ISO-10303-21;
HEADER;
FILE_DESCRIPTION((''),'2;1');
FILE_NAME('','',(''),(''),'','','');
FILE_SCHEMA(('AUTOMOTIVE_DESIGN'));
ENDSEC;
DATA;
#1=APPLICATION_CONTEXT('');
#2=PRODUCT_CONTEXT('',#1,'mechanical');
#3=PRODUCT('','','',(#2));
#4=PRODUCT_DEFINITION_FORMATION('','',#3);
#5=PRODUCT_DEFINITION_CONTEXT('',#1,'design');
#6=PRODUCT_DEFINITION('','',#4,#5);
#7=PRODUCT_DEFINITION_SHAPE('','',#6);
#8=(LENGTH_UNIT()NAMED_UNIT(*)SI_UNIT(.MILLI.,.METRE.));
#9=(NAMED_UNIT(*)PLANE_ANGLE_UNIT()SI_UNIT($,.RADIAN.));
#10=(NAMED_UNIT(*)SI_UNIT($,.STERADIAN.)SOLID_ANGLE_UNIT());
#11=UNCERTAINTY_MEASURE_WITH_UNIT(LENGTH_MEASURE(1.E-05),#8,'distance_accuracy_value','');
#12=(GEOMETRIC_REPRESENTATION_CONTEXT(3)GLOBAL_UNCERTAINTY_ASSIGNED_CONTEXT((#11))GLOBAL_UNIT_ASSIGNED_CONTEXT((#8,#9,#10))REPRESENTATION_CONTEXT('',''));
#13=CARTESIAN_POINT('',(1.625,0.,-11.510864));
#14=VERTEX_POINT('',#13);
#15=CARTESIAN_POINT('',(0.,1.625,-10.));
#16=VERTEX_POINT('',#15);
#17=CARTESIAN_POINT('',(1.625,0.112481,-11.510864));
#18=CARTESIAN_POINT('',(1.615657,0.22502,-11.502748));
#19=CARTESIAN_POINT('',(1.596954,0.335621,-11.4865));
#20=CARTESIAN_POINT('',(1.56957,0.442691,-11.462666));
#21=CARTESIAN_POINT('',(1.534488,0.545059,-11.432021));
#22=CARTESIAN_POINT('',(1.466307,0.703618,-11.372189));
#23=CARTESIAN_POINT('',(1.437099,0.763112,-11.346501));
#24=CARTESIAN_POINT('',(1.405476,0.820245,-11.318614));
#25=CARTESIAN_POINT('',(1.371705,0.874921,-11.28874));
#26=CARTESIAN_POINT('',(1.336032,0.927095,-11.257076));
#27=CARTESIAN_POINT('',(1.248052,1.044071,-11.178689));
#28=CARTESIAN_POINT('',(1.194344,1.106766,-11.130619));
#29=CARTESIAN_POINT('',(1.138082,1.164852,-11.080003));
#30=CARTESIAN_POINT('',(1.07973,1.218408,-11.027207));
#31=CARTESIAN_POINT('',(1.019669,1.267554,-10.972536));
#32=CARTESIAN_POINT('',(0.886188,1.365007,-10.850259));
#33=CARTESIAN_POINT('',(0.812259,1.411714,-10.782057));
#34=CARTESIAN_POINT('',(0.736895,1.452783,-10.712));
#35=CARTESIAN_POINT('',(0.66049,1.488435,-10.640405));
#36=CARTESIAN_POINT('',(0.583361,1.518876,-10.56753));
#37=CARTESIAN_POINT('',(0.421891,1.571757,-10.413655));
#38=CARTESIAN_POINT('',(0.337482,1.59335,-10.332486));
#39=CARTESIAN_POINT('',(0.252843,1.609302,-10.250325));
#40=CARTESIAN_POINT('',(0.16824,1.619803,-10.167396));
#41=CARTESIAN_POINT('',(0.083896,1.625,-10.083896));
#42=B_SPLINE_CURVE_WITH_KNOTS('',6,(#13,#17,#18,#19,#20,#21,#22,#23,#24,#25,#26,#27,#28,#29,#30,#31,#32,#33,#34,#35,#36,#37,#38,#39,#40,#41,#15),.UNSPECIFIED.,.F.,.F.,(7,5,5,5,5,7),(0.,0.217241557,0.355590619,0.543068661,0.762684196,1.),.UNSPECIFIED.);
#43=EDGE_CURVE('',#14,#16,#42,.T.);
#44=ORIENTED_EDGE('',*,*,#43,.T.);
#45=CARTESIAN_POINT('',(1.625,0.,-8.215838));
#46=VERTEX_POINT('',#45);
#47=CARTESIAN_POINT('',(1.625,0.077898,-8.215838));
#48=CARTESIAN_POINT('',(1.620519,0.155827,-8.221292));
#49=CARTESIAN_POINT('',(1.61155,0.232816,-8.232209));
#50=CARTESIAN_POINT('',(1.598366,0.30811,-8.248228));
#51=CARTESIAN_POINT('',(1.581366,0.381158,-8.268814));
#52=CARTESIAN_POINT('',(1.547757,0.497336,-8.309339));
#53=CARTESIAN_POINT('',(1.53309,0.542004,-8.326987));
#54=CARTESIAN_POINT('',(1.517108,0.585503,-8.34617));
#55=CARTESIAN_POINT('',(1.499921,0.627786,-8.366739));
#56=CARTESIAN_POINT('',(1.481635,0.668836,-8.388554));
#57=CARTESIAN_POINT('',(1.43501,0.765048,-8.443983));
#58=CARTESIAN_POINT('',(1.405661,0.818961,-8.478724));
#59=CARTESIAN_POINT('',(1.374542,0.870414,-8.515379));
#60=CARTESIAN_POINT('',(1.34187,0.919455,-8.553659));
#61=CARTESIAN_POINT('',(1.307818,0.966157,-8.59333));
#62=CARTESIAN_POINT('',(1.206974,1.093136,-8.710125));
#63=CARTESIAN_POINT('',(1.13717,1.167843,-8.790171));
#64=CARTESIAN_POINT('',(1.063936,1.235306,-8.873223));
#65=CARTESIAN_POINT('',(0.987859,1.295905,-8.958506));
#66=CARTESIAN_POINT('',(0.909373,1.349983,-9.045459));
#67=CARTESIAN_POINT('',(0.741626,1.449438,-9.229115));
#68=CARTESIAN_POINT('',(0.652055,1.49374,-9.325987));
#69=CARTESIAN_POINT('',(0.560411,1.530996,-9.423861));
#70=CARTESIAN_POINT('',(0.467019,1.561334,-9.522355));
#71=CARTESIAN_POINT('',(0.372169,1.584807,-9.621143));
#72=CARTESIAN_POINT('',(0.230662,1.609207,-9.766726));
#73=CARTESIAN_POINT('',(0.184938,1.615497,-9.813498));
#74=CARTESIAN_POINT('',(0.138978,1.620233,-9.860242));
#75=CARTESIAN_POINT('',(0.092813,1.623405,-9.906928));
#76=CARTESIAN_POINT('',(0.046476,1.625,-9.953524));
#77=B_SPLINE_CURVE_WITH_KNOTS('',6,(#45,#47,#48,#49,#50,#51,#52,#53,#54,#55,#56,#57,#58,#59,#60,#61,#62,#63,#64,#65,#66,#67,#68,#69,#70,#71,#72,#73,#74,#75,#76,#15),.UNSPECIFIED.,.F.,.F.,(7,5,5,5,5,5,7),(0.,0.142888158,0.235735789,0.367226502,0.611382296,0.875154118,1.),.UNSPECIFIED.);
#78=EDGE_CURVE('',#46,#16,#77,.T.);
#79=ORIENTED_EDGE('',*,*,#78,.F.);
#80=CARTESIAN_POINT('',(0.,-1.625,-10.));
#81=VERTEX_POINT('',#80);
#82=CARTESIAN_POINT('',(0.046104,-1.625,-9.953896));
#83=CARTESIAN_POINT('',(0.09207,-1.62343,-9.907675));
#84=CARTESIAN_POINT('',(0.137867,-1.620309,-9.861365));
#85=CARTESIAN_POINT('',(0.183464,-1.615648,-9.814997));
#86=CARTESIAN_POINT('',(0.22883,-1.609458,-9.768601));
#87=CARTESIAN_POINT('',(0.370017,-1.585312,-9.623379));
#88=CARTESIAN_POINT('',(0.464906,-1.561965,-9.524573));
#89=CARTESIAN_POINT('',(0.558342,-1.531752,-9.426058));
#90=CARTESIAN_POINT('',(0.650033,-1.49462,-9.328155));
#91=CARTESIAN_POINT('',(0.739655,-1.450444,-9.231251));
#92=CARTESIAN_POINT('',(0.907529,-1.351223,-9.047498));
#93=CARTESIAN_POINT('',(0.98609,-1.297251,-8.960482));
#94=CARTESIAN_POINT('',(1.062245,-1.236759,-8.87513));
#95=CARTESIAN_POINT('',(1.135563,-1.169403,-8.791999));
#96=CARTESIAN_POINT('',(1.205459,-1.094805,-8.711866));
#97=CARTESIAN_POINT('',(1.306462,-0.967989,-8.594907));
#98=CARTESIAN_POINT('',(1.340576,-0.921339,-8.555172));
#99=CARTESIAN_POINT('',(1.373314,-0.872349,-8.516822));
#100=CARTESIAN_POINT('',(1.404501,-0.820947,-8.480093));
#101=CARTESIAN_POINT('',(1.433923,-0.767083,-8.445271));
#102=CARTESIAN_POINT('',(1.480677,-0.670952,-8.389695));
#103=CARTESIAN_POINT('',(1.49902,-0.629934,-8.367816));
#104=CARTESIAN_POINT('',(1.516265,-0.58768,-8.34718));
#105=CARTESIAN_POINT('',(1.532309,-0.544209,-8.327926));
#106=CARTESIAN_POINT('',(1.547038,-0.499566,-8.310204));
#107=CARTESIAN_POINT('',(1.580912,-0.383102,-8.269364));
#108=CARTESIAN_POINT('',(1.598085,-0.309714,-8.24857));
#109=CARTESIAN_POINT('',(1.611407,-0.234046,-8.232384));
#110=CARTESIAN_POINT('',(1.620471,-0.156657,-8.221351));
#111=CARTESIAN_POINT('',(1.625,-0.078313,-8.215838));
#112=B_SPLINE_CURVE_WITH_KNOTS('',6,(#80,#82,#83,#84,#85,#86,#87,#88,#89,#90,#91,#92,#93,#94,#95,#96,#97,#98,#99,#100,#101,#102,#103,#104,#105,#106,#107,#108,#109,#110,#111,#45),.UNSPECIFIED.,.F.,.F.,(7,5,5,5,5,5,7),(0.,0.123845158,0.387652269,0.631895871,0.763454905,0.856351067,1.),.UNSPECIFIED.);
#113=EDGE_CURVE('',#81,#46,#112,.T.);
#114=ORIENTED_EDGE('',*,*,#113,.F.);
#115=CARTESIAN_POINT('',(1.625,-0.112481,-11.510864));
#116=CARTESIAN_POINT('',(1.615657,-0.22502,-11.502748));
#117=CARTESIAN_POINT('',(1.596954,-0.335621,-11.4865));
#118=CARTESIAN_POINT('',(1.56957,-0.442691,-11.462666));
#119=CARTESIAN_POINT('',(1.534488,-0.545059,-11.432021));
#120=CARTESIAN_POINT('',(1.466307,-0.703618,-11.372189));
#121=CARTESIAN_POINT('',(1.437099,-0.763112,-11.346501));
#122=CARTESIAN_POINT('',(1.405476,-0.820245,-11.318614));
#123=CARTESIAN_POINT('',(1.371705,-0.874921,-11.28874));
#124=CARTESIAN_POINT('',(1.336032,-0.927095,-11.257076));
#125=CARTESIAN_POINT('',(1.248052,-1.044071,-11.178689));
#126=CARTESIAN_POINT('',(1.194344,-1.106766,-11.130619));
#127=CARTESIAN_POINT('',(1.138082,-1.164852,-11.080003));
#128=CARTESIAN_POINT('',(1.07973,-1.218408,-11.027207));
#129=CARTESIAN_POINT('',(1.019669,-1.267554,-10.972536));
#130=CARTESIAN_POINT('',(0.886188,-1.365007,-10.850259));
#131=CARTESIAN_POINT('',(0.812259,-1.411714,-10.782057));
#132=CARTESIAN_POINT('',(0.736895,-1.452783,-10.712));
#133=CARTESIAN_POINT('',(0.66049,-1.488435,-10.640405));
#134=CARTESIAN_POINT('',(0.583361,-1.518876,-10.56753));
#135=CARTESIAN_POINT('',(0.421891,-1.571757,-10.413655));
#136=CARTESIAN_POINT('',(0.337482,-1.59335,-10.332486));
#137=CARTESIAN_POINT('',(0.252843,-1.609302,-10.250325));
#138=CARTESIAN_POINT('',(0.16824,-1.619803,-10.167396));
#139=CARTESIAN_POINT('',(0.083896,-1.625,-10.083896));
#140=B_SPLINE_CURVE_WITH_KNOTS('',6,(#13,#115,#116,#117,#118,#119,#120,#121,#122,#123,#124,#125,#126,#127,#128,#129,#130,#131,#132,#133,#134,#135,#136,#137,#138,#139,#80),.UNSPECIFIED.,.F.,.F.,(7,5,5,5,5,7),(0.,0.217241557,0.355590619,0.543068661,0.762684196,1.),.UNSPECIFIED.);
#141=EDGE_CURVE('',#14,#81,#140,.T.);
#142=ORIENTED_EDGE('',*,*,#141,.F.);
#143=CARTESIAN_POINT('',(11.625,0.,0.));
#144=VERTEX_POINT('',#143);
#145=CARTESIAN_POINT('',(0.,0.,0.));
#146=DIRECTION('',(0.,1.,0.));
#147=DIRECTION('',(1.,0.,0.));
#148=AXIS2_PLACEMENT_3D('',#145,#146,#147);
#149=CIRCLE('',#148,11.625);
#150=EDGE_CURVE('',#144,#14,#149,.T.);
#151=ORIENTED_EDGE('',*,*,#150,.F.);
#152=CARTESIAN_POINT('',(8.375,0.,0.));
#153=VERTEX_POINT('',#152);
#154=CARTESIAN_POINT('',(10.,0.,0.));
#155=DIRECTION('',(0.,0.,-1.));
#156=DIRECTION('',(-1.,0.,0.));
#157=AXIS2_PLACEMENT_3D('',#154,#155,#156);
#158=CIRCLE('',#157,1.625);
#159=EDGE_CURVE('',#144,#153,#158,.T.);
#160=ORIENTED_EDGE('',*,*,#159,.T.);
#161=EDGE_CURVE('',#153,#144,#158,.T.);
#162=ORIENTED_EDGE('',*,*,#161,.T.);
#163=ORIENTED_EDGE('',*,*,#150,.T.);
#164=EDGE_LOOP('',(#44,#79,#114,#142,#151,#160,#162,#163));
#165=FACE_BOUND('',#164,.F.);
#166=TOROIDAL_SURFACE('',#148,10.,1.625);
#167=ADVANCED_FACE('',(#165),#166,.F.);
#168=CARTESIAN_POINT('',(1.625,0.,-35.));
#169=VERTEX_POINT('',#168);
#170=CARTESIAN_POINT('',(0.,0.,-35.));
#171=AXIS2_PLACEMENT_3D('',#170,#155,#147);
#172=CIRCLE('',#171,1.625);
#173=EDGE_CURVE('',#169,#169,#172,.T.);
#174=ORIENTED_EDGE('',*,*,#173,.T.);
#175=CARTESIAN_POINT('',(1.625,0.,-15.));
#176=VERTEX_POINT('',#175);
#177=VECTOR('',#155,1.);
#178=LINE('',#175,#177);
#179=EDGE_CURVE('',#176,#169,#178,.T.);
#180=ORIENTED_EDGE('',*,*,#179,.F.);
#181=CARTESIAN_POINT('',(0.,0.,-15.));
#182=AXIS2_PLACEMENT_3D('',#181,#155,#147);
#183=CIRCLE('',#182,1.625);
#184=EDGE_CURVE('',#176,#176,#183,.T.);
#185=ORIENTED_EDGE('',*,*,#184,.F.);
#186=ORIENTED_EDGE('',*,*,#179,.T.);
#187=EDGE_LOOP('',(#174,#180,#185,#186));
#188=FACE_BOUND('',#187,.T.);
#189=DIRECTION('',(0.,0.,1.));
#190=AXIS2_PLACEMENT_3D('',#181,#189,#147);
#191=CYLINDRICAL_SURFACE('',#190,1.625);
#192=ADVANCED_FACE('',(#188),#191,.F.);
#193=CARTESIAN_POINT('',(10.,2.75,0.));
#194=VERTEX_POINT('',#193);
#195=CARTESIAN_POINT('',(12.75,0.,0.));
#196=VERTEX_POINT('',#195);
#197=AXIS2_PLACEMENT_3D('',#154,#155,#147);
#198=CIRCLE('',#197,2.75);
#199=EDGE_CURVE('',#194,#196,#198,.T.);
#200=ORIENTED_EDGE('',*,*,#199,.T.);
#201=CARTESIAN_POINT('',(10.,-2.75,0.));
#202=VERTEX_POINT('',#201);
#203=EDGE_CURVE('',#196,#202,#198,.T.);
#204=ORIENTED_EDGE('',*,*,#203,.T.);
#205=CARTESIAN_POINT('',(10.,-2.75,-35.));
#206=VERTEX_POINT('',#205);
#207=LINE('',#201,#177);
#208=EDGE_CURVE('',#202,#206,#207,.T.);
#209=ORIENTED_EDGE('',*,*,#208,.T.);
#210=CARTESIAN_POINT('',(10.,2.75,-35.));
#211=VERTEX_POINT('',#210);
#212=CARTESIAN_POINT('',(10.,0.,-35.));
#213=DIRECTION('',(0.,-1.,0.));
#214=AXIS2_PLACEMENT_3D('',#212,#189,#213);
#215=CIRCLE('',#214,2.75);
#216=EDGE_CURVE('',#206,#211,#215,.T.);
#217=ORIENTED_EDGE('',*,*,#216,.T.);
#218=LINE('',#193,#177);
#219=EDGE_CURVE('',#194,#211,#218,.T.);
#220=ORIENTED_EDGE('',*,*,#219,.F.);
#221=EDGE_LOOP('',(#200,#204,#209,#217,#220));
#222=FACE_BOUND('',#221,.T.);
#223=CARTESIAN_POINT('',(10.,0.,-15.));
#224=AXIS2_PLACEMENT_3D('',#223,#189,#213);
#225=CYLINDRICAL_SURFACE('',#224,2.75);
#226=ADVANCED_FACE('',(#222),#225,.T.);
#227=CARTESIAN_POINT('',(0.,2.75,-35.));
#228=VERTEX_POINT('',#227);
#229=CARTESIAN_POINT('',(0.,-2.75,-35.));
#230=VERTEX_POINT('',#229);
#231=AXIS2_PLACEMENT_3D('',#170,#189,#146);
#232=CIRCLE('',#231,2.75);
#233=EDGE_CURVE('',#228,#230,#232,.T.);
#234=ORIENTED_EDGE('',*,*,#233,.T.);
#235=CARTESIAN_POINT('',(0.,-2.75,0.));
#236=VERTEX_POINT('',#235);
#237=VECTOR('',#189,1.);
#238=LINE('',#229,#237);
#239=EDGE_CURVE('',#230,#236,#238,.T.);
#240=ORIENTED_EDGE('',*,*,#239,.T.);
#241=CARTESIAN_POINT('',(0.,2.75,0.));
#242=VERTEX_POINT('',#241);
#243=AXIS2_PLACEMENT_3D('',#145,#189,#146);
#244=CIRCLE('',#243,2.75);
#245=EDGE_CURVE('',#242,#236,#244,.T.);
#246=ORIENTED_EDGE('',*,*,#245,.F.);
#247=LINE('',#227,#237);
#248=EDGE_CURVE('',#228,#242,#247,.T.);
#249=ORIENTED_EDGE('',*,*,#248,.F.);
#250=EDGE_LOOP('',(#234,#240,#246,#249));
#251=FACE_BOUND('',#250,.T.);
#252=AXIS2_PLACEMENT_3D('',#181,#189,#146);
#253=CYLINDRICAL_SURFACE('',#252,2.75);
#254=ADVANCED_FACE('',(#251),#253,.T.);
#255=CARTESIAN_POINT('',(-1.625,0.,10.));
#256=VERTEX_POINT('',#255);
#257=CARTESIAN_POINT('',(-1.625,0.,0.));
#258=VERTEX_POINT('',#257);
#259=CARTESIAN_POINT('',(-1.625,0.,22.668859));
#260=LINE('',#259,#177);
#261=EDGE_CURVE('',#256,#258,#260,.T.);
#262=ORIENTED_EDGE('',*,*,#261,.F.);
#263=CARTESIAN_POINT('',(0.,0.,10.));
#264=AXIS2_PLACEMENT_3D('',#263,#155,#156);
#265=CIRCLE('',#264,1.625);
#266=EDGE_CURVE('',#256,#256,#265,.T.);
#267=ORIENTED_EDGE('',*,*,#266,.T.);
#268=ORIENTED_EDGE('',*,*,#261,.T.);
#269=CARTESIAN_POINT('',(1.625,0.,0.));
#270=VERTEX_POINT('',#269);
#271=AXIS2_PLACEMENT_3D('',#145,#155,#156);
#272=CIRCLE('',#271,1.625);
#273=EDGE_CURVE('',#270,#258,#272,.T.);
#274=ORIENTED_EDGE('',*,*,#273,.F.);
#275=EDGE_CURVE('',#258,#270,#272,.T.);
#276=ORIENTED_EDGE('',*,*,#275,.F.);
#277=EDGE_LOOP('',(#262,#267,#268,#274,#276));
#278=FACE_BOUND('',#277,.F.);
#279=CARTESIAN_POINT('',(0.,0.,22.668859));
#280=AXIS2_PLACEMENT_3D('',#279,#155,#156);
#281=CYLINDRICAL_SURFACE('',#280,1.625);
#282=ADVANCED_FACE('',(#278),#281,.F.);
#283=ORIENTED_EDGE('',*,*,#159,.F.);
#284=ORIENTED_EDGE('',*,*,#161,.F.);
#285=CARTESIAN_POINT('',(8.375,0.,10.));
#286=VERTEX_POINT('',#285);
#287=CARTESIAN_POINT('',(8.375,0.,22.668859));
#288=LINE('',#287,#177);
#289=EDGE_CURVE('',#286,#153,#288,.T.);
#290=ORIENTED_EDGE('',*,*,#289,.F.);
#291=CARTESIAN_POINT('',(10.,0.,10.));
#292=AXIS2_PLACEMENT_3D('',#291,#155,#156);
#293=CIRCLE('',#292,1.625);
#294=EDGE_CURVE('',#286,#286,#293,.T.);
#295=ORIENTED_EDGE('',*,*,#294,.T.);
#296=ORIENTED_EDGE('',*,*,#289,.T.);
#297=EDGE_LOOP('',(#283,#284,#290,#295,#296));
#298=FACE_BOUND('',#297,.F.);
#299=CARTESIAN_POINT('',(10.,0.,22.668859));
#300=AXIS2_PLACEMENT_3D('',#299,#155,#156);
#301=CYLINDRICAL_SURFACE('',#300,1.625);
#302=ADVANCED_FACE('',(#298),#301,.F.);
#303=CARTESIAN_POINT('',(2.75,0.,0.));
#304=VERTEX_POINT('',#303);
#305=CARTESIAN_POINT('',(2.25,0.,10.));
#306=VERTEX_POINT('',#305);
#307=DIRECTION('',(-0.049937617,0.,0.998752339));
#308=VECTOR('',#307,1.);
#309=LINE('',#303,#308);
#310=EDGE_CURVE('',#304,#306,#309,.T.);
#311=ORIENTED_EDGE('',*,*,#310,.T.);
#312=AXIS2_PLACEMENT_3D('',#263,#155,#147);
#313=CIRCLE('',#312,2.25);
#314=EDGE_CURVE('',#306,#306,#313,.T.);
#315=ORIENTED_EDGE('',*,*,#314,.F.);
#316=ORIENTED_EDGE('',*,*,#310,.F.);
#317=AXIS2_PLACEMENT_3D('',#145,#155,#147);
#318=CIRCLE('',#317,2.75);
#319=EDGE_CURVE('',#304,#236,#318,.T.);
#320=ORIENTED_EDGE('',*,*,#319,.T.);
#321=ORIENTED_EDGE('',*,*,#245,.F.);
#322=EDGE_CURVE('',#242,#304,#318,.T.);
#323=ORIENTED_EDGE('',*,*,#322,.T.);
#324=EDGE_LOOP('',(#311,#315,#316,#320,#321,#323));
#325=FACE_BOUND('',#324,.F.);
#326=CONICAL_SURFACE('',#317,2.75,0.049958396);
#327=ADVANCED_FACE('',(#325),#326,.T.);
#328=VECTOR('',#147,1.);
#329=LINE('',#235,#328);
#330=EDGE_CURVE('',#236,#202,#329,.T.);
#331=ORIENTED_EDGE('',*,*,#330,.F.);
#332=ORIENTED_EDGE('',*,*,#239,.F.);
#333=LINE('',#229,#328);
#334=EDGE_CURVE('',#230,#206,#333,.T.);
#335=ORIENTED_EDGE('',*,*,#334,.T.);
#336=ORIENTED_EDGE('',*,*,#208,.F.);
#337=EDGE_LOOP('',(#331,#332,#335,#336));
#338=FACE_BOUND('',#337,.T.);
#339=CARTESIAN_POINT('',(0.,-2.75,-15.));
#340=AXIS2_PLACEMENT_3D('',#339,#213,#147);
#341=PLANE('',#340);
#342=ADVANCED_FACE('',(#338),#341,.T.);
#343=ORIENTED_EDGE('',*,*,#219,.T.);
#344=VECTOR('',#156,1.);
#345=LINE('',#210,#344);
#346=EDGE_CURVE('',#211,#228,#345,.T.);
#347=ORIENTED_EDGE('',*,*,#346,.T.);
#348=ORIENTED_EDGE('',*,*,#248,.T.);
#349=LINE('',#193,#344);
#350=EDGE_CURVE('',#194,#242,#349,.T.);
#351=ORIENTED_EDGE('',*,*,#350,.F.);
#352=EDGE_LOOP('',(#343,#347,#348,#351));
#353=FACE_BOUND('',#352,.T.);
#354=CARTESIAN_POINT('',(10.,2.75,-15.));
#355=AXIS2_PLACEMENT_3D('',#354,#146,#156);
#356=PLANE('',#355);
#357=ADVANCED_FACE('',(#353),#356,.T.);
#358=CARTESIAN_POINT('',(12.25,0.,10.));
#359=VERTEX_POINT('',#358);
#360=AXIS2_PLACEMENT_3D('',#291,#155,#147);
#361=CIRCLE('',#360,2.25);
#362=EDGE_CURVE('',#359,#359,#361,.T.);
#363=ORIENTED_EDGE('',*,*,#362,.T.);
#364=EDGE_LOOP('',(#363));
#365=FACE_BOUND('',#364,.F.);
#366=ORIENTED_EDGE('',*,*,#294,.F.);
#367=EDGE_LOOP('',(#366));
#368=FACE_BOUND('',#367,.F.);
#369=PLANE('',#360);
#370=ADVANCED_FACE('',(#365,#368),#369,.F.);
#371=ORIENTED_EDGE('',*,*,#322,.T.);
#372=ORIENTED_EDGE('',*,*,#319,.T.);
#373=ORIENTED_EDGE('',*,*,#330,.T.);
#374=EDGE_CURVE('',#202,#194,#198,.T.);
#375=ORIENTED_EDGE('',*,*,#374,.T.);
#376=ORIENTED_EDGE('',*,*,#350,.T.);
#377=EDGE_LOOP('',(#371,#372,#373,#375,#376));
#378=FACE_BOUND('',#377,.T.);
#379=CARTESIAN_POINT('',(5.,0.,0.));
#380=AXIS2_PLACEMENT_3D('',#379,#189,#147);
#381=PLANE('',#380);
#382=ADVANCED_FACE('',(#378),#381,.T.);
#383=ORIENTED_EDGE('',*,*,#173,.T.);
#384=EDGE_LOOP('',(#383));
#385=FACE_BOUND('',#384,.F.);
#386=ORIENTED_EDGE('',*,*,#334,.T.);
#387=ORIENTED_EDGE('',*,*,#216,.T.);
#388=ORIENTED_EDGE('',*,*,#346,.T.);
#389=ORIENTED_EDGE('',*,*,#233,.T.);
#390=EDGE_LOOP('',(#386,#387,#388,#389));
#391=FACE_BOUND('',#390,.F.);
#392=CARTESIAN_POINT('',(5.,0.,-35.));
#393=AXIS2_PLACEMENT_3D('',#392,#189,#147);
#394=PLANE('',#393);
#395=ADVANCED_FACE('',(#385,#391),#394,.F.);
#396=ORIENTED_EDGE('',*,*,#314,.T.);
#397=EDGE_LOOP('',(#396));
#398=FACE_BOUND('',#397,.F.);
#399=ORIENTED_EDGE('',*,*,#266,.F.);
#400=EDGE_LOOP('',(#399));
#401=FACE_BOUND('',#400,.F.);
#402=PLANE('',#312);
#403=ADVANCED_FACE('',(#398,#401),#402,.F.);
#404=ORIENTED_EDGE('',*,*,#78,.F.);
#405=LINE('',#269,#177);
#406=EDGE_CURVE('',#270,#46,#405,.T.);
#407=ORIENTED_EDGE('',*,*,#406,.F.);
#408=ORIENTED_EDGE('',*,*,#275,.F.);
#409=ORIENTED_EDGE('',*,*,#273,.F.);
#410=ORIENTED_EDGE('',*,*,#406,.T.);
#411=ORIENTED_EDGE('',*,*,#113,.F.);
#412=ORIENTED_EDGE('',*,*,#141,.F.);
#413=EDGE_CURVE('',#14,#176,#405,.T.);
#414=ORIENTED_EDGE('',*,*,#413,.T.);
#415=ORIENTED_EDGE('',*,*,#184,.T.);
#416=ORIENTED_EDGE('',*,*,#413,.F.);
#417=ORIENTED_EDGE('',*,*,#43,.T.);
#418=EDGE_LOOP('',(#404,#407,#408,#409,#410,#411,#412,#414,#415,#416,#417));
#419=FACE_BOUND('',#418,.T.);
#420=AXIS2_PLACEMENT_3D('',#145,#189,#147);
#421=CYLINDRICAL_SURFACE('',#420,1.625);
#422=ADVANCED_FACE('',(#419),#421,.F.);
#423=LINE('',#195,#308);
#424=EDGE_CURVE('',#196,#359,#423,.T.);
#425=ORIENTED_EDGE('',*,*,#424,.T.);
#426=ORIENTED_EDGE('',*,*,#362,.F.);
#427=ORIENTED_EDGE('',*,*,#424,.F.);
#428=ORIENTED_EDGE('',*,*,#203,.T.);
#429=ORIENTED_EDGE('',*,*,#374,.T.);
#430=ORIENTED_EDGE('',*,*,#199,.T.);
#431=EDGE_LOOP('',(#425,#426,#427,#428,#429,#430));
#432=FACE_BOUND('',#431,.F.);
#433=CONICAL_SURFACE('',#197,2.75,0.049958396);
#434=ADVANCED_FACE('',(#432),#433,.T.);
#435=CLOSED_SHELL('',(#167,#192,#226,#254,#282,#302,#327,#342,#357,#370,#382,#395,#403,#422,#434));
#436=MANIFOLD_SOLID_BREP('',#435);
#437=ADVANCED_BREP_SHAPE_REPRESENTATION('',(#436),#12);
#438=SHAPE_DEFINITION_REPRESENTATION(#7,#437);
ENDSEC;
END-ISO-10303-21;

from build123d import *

# Parameters (mm, degrees)
F3_D      = 3.25
F6_R      = 1.625
F8_R      = 1.625
F9_DEPTH  = 15
F11_DEPTH = 15
F13_DEPTH = 20


with BuildPart() as f1:
    # F0 (on Front) → F1 (revolve)
    with BuildSketch(Plane.XZ):
        Polygon((0, 10), (0, 0), (2.75, 0), (2.25, 10), align=None)
    revolve(axis=Axis((0, 0, 5), (0, 0, -1)))

    # F3 (through all)
    with Locations(Plane.XY.offset(10)):
        with Locations((0, 0)):
            Hole(F3_D / 2)


with BuildPart() as f4_1:
    # F4: copy of F1
    add(f1.part.moved(Location((10, 0, 0))))


with BuildPart() as f7:
    # F7: sweep along a path in F5
    with BuildLine(Plane.XZ) as f7_path:
        ThreePointArc((10, 0), (7.0710678119, -7.0710678119), (0, -10))
    # F6 (on face) → F7 (sweep)
    with BuildSketch(Plane(origin=(0, 0, 0), x_dir=(1, 0, 0), z_dir=(0, 0, -1))):
        with Locations((10, 0)):
            Circle(F6_R)
    sweep(path=f7_path.line)

    # F8 (on face) → F9 (join)
    with BuildSketch(Plane(origin=(0, 0, 0), x_dir=(1, 0, 0), z_dir=(0, 0, -1))):
        Circle(F8_R)
    extrude(amount=F9_DEPTH)


with BuildPart() as f11:
    # F10 (on Top) → F11 (new body)
    with BuildSketch(Plane.XY):
        with BuildLine():
            Line((10, 2.75), (0, 2.75))
            ThreePointArc((0, 2.75), (-2.75, 0), (0, -2.75))
            Line((0, -2.75), (10, -2.75))
            ThreePointArc((10, -2.75), (12.75, 0), (10, 2.75))
        make_face()
    extrude(amount=-F11_DEPTH)

    # F12: cut F7
    add(f7.part, mode=Mode.SUBTRACT)


with BuildPart() as f1_1:
    add(f1.part)

    # F13 (add): a face of the model
    f13_faces = [f11.part.faces().sort_by_distance(p)[0] for p in [
        (5.5886652474, 0, -15),
    ]]

    add(f4_1.part)  # F13 merges F4_1

    add(f11.part)  # F13 merges F11
    extrude(f13_faces, amount=F13_DEPTH)


solid = f1_1.part
